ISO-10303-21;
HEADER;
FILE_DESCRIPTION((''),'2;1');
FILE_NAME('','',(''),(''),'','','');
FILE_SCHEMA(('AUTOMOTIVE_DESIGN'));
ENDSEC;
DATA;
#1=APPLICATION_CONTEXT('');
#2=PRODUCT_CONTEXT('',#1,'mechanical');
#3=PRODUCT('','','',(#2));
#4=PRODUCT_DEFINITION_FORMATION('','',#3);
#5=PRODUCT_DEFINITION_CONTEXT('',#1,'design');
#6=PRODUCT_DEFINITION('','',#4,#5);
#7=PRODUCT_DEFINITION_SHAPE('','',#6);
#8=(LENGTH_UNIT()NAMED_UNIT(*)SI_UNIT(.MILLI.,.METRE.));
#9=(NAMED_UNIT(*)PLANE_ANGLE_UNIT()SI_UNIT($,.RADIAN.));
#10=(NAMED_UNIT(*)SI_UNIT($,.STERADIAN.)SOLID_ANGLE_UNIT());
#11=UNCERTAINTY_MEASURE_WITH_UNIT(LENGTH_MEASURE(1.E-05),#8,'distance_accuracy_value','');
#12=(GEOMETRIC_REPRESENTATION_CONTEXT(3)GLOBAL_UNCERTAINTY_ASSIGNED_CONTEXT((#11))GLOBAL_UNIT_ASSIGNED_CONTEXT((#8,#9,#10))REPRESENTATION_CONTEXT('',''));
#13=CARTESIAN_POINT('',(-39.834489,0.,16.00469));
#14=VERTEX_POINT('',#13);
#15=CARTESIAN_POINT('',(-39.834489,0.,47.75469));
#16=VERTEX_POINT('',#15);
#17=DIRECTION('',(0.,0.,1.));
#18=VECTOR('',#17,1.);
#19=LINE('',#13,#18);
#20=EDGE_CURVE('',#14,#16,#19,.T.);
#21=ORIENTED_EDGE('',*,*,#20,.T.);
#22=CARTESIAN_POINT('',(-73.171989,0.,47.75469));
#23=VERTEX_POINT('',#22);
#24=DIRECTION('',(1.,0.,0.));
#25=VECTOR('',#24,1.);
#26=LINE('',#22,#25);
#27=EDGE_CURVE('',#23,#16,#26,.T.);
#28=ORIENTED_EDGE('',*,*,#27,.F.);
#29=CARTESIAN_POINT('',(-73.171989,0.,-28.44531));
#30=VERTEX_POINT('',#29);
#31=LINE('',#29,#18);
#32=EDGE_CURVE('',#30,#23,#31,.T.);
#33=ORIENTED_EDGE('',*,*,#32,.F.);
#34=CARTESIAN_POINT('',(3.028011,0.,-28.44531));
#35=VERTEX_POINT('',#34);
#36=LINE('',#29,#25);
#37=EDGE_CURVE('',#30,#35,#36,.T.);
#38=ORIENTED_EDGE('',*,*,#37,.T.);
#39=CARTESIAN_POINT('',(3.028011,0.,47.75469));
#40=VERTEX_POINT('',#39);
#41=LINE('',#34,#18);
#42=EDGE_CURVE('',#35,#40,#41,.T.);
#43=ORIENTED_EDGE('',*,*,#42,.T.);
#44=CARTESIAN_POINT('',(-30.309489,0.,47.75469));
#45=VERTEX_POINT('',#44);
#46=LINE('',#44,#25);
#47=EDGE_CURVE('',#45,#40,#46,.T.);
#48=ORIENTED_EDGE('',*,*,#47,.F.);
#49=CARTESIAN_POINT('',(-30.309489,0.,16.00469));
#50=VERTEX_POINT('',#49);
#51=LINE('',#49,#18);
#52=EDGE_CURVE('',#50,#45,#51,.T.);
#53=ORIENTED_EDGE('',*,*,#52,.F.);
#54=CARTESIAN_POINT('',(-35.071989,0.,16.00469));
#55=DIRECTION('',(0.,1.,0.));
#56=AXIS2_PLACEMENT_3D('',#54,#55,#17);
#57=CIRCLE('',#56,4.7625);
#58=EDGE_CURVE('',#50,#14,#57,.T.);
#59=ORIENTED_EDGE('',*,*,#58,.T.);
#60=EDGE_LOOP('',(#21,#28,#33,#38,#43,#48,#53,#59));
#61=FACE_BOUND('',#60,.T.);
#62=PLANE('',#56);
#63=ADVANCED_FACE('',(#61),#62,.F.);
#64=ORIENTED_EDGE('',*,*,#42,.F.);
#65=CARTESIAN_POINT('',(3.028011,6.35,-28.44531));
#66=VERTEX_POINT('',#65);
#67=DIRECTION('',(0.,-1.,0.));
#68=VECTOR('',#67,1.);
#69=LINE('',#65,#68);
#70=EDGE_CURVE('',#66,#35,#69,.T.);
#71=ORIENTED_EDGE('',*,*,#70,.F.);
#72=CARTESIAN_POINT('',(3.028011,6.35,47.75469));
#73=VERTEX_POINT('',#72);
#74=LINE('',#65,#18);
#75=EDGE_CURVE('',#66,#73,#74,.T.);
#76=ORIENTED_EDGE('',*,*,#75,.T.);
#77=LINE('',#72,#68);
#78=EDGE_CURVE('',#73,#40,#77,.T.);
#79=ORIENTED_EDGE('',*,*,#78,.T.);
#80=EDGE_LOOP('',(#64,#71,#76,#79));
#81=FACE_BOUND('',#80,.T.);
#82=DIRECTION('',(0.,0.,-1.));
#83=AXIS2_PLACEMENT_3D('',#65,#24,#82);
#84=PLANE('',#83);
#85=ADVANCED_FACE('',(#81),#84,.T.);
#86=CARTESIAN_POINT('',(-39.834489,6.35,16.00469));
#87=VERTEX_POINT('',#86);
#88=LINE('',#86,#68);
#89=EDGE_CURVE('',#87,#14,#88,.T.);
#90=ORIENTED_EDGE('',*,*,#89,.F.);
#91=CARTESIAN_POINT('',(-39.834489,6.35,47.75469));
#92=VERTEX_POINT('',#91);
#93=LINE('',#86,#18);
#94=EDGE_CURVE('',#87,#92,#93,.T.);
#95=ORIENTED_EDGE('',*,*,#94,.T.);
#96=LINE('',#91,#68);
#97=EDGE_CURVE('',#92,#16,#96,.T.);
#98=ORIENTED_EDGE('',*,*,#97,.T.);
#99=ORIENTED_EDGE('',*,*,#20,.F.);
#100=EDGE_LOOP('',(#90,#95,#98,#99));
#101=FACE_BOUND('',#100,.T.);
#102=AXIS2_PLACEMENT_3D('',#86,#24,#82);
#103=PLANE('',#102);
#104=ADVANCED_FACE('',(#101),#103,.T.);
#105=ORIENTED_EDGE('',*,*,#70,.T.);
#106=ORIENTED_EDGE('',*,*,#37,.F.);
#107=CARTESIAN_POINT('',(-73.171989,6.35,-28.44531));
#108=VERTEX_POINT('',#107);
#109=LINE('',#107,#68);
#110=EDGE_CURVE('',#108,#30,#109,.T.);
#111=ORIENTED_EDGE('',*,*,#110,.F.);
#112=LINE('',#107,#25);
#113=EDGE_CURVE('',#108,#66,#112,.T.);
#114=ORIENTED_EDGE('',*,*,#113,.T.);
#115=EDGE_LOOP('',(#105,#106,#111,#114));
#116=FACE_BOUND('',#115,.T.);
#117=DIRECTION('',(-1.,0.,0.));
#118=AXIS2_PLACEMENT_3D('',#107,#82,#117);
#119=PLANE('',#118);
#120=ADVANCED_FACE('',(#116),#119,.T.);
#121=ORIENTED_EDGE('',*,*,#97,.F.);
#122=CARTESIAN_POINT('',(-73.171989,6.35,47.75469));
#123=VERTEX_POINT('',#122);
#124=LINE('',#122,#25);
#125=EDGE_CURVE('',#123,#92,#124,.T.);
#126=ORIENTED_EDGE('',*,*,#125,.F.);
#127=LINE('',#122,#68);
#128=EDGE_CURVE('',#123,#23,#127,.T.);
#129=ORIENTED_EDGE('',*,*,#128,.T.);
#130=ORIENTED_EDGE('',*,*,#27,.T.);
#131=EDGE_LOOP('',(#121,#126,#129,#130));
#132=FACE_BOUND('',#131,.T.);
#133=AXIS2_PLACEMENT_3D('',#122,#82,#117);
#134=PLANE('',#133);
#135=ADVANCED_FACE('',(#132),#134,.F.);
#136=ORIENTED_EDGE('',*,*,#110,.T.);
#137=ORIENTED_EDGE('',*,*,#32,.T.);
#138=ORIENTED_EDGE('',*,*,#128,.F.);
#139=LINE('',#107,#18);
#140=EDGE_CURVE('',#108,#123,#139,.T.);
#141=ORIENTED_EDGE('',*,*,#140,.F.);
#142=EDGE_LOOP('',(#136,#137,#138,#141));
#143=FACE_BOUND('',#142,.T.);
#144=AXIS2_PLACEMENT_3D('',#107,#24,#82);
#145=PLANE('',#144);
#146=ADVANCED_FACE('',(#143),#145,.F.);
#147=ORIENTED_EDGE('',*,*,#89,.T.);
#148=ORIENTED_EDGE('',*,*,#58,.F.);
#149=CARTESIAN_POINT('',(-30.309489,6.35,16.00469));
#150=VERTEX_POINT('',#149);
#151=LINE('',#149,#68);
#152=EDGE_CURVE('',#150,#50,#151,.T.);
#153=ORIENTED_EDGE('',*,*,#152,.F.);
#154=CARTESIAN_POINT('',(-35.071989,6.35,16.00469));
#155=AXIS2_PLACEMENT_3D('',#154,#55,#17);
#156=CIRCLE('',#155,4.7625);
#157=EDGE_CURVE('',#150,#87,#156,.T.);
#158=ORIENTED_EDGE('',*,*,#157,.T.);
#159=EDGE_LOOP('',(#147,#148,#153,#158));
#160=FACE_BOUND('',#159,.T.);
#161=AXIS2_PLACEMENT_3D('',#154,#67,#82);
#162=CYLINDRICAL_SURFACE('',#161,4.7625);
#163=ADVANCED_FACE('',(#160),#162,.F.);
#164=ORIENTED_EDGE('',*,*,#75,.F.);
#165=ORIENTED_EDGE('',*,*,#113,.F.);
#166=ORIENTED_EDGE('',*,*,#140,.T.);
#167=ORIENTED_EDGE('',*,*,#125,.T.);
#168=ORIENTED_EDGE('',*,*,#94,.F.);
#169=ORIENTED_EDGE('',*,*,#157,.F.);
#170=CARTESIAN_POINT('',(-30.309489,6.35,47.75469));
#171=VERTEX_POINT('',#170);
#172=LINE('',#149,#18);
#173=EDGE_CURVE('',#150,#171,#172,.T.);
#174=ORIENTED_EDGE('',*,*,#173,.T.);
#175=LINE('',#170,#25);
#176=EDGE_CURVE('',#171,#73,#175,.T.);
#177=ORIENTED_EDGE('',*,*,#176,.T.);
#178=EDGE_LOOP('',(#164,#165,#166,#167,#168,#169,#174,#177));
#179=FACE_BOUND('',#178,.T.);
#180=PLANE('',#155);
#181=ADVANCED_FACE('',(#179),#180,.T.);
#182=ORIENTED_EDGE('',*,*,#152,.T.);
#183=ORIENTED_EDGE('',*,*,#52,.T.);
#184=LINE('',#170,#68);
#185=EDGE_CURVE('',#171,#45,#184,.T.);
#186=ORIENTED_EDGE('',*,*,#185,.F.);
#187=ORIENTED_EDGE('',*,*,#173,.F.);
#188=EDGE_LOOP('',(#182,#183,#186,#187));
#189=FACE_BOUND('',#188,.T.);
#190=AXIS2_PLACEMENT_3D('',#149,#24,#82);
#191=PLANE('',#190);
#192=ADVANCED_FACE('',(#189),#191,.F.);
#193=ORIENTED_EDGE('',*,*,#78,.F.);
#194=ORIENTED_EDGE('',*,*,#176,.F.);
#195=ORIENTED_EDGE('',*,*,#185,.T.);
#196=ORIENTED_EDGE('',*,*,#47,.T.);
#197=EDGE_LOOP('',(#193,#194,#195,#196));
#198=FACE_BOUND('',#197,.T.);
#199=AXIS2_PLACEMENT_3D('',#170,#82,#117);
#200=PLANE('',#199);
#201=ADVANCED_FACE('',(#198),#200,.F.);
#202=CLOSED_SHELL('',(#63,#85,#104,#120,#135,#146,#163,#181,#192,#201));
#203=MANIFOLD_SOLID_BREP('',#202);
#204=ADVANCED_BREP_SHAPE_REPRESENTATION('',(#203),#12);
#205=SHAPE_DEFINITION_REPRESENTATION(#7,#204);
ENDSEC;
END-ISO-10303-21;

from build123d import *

# Parameters (mm, degrees)
BOSS_EXTRUDE1_DEPTH = 6.35


with BuildPart() as part:
    # Sketch9 → Boss-Extrude1 (new body)
    with BuildSketch(Plane(origin=(0, 0, 0), x_dir=(1, 0, 0), z_dir=(0, 1, 0))):
        with BuildLine():
            Line((-30.309488668, -47.754689913), (3.028011332, -47.754689913))
            Line((3.028011332, -47.754689913), (3.028011332, 28.445310087))
            Line((3.028011332, 28.445310087), (-73.171988668, 28.445310087))
            Line((-73.171988668, 28.445310087), (-73.171988668, -47.754689913))
            Line((-73.171988668, -47.754689913), (-39.834488668, -47.754689913))
            Line((-39.834488668, -47.754689913), (-39.834488668, -16.004689913))
            ThreePointArc((-39.834488668, -16.004689913), (-35.071988668, -11.242189913), (-30.309488668, -16.004689913))
            Line((-30.309488668, -16.004689913), (-30.309488668, -47.754689913))
        make_face()
    extrude(amount=BOSS_EXTRUDE1_DEPTH)


solid = part.part
